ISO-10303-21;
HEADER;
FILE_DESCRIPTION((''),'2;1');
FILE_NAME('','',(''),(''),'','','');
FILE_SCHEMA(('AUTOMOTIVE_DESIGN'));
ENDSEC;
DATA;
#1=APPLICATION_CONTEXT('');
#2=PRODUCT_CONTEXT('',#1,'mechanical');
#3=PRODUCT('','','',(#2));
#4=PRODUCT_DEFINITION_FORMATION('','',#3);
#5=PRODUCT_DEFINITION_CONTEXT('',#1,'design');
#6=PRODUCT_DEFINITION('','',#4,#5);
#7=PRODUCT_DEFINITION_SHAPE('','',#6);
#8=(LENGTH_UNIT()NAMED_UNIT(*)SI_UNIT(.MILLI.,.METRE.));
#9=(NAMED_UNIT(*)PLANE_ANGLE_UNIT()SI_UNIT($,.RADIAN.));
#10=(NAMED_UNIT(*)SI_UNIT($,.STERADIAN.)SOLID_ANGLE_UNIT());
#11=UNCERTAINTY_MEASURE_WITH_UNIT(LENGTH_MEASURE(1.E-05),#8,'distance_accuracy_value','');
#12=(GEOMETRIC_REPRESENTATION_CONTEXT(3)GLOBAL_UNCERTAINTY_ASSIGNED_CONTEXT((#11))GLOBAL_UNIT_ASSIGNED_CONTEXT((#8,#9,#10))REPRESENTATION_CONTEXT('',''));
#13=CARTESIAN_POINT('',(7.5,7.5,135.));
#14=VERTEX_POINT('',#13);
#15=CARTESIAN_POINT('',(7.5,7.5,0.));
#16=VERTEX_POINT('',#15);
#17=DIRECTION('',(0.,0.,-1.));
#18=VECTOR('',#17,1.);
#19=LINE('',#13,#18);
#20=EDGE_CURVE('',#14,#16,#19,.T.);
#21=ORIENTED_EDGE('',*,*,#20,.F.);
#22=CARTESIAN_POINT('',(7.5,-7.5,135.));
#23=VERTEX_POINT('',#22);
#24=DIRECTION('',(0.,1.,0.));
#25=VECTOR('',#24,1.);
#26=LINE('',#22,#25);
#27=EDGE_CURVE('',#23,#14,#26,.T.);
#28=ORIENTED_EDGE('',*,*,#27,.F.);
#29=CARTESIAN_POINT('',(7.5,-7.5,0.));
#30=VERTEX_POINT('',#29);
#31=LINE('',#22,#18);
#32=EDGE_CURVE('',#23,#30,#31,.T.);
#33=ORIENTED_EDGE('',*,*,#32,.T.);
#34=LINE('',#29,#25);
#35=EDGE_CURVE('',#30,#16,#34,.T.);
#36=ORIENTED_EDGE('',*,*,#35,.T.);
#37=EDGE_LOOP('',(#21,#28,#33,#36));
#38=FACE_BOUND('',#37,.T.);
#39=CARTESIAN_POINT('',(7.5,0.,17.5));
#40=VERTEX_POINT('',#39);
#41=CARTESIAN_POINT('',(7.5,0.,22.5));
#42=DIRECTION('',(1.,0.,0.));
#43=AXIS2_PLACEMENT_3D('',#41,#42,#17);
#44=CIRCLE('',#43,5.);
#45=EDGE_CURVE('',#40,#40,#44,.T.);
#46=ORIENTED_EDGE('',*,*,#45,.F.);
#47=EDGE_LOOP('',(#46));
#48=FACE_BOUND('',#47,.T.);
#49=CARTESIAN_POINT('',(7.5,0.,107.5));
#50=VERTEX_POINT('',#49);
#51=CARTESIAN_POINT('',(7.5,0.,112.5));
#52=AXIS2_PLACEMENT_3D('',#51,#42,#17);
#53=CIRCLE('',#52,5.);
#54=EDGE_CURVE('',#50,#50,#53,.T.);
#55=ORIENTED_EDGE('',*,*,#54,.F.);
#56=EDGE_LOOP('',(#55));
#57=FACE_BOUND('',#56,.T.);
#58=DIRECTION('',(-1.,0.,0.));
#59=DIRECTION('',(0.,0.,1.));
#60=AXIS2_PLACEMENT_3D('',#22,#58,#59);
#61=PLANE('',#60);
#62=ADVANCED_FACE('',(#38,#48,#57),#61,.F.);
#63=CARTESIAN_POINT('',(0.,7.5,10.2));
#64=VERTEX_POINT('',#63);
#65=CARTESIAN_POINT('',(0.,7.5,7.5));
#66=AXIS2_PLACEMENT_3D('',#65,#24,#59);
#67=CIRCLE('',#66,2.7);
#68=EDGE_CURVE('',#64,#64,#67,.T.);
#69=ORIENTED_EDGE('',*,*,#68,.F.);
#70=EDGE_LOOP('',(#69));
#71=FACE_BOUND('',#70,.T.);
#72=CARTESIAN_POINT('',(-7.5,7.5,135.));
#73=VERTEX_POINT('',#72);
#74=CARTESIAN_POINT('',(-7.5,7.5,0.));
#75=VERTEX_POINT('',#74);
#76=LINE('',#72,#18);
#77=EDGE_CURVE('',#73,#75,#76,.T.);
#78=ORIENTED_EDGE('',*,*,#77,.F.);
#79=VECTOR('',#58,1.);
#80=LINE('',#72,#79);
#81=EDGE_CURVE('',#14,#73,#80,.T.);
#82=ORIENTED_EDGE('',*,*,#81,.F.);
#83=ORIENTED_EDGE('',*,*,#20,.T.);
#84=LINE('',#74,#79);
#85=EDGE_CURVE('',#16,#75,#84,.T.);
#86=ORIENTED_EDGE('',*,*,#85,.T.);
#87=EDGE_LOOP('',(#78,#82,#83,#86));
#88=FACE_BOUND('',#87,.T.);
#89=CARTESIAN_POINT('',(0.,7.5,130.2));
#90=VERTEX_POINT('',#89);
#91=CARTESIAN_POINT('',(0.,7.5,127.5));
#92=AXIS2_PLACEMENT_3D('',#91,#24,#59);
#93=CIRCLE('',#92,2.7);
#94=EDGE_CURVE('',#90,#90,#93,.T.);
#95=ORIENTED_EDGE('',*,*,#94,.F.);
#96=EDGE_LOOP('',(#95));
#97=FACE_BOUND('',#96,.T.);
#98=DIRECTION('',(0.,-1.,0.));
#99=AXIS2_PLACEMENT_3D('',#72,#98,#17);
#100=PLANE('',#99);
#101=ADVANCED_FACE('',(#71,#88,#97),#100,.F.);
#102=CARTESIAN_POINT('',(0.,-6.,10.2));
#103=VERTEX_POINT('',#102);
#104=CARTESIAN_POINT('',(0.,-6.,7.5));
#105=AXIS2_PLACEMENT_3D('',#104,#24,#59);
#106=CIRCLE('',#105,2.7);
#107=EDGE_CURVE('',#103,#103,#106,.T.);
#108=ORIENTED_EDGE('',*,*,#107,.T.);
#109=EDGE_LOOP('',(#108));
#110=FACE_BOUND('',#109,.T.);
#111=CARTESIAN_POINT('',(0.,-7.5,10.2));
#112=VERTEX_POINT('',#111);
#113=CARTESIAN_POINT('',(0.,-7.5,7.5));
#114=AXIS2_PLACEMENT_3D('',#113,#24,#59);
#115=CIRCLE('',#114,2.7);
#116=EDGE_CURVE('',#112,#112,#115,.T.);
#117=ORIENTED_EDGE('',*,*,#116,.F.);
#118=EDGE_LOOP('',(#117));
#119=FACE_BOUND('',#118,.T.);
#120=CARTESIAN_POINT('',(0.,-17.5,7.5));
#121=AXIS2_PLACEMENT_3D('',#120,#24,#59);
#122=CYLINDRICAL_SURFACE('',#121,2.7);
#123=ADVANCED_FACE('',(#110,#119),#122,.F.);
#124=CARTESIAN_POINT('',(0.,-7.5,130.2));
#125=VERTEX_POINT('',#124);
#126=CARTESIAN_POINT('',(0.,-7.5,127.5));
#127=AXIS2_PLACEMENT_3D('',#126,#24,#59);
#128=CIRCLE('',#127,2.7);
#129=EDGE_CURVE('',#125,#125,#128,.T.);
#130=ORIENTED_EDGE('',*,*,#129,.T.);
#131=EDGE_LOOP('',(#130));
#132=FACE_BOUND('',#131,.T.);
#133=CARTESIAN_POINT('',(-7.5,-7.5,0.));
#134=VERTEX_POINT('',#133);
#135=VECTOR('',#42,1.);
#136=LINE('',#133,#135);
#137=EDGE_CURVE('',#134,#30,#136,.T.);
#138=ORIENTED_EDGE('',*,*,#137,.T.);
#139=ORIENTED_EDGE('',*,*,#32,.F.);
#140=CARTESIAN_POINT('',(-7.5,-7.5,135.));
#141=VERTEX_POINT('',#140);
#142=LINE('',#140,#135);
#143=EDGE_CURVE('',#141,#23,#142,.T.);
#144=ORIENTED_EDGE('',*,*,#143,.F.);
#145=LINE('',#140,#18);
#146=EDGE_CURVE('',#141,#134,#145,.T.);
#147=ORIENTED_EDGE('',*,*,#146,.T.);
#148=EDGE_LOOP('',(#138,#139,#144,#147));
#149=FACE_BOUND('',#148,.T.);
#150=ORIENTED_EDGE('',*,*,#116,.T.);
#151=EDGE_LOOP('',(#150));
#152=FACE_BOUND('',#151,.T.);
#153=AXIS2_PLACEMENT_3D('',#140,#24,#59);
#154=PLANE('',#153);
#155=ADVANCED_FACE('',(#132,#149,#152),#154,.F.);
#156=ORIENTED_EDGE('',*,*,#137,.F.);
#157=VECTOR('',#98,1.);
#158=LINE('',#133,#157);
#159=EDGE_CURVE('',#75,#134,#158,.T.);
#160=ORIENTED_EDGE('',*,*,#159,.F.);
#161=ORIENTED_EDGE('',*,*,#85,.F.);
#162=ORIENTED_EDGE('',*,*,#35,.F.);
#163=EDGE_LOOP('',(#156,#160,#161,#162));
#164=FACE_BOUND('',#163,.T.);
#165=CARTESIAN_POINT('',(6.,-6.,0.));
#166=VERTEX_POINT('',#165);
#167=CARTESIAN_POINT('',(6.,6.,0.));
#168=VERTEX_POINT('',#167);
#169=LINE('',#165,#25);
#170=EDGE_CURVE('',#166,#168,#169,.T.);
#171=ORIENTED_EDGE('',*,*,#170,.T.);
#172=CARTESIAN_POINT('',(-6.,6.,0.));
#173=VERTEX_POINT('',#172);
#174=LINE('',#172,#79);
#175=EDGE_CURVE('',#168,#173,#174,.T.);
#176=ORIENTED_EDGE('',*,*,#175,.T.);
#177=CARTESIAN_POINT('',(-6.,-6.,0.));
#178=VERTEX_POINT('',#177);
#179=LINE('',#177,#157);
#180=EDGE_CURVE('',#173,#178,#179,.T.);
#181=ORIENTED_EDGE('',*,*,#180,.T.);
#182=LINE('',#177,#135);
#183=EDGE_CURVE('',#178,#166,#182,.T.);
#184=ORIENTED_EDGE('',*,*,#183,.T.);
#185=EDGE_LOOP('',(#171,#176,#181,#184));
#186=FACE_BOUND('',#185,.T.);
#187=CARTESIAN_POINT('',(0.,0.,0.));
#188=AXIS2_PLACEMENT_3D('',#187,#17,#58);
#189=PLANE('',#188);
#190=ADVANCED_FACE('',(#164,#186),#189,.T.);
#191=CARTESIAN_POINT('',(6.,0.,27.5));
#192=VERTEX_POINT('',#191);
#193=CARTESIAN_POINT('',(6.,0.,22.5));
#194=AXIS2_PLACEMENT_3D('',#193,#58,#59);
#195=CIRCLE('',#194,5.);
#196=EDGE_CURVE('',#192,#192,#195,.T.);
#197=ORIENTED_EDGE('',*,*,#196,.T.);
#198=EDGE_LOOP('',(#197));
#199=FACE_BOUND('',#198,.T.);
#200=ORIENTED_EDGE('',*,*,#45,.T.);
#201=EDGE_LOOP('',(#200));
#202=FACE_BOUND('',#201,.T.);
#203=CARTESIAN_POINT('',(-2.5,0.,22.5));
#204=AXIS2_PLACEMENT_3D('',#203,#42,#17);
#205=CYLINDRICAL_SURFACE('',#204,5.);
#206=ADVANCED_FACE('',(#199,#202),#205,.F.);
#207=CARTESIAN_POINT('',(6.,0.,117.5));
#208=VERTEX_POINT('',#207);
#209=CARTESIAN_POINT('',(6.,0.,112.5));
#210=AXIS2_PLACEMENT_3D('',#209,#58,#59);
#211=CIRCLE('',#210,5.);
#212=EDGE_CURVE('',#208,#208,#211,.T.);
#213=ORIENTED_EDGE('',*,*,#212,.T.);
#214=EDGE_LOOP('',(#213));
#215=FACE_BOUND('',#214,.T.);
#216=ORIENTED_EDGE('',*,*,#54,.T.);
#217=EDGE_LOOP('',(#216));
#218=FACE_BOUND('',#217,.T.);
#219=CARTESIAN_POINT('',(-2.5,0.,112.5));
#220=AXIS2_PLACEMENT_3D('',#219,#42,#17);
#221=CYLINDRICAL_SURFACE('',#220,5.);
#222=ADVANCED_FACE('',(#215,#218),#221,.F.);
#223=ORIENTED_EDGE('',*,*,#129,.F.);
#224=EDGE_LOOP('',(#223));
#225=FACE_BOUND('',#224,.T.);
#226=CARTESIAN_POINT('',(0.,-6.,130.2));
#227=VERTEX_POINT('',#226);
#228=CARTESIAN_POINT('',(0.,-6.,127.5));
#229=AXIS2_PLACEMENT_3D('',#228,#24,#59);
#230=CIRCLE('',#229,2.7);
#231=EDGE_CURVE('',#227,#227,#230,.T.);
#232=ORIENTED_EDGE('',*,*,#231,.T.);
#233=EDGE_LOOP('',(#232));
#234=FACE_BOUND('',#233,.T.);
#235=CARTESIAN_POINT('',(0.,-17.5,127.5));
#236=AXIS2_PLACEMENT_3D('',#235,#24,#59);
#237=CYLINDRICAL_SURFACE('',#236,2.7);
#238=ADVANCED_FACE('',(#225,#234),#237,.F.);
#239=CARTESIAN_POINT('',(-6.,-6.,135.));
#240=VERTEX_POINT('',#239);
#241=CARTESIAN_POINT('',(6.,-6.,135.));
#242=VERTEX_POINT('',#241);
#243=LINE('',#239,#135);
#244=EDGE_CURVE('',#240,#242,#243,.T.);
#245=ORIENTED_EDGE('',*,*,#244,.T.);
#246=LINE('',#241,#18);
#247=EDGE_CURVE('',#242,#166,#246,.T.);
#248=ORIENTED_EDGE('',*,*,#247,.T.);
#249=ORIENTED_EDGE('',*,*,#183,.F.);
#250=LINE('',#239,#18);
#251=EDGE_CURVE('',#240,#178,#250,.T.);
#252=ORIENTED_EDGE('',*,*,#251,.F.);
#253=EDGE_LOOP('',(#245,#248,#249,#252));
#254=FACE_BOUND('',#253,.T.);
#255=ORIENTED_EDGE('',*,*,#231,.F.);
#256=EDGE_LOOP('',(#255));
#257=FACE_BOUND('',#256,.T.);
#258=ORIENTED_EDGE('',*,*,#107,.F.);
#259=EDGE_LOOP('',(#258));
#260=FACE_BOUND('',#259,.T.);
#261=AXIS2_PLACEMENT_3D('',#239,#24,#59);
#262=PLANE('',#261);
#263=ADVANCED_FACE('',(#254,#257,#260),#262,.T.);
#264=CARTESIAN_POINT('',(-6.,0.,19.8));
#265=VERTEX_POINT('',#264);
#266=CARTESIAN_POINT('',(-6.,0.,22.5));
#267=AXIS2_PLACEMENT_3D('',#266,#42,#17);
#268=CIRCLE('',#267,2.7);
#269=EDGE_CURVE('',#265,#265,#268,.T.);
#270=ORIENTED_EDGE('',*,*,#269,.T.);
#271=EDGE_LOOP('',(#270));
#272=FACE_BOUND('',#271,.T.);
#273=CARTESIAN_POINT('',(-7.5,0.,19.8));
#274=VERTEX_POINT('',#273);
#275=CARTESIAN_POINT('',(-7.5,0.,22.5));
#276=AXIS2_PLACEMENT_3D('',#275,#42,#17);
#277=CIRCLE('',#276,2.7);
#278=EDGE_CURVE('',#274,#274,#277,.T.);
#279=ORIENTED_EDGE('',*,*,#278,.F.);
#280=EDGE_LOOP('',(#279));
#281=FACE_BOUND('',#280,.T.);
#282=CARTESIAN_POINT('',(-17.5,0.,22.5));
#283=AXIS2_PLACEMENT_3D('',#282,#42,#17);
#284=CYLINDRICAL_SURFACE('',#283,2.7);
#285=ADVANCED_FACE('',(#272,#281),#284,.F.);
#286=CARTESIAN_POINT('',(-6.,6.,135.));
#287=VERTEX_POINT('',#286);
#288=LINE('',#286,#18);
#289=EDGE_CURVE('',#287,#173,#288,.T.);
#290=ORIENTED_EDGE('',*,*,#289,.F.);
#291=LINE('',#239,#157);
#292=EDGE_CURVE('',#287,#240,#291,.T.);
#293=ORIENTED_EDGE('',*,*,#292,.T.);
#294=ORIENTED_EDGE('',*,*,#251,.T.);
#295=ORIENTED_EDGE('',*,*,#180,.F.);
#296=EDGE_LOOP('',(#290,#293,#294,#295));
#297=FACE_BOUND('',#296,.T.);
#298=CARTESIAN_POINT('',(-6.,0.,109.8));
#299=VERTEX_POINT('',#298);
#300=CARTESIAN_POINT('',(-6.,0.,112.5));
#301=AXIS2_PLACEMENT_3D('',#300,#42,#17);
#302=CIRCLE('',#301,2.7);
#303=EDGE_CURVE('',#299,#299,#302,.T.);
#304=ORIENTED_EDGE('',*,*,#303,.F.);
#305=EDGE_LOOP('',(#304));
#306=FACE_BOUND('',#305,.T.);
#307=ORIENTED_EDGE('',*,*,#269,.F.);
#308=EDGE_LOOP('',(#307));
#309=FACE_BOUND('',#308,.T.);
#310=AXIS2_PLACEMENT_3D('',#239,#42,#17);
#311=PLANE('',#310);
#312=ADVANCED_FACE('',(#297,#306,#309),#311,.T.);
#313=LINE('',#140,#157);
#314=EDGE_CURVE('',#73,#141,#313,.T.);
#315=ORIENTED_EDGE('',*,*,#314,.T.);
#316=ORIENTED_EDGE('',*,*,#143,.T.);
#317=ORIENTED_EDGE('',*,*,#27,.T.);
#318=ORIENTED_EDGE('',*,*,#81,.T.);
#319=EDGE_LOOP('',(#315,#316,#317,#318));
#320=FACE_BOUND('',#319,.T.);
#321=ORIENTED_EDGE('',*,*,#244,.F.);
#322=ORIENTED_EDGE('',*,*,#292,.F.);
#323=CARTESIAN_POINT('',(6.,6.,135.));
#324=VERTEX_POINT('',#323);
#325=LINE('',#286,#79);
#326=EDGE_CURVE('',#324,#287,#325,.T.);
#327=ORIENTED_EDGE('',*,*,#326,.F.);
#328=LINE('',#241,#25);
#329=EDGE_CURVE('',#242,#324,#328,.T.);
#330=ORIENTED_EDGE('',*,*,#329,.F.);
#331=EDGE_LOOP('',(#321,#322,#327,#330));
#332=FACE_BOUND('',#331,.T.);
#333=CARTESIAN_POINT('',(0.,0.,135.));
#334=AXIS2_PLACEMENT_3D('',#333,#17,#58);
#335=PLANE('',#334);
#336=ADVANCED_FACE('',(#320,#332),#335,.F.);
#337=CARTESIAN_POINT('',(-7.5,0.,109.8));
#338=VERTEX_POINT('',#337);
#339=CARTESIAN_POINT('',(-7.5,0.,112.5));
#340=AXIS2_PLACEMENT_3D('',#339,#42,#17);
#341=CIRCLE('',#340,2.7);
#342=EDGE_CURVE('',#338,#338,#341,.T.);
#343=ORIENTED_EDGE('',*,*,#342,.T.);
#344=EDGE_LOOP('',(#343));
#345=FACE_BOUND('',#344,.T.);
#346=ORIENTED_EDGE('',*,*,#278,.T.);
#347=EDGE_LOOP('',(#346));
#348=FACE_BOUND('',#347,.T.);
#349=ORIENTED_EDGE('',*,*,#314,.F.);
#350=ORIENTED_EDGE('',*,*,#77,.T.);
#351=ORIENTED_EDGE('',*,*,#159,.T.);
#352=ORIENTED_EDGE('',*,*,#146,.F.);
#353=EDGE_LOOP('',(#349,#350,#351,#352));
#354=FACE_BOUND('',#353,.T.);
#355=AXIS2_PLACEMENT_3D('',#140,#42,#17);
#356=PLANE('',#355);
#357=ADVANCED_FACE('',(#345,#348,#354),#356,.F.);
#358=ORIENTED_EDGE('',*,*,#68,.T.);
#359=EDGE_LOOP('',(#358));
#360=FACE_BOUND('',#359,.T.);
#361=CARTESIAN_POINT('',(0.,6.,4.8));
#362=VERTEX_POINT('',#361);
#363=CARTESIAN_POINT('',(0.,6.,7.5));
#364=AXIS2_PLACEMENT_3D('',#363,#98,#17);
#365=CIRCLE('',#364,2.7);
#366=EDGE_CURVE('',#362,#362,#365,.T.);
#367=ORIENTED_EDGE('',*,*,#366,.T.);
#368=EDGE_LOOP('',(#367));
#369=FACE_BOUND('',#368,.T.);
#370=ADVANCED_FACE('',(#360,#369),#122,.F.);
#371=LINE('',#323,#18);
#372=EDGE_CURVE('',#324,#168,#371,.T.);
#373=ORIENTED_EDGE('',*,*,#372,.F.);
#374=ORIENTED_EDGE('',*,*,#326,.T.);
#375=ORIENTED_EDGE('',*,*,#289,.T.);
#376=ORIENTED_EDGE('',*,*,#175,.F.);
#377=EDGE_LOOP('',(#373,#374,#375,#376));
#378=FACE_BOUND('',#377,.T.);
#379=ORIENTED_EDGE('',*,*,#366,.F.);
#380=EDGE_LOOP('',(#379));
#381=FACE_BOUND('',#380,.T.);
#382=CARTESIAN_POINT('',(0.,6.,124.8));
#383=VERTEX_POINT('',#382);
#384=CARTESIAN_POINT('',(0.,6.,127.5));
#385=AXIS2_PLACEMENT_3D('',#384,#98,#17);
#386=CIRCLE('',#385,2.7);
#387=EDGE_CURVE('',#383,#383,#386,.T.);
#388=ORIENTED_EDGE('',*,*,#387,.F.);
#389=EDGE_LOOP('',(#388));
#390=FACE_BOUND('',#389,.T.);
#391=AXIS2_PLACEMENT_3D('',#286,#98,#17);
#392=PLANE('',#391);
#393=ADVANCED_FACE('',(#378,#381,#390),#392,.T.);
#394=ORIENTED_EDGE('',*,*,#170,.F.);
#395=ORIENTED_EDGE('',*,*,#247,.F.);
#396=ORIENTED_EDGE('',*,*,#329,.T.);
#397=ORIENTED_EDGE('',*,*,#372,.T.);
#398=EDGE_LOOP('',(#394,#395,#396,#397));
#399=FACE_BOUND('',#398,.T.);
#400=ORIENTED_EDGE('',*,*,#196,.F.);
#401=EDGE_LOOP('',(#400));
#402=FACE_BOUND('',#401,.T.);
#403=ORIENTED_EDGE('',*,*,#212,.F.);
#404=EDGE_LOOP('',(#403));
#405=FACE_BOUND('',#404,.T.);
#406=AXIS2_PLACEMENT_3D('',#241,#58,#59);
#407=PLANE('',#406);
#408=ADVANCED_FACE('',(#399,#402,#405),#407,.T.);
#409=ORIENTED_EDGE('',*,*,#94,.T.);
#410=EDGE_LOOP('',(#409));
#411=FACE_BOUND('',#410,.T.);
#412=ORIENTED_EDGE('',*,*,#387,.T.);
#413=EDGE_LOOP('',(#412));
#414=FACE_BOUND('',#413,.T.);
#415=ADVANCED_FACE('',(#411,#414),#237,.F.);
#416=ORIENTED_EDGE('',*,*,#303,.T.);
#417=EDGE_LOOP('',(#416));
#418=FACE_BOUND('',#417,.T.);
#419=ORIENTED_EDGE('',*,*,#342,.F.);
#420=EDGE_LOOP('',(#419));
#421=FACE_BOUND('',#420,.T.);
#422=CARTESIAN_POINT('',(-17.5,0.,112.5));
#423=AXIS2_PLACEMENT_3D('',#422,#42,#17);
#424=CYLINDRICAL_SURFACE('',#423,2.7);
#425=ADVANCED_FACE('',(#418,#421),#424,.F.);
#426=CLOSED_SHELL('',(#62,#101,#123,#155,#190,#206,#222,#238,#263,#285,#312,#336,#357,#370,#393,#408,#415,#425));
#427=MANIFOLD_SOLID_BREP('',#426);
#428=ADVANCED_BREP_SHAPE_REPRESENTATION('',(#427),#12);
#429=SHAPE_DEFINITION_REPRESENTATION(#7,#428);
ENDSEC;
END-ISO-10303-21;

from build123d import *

# Parameters (mm, degrees)
SKETCH_1_W          = 15
SKETCH_1_H          = 15
SKETCH_1_W_2        = 12
SKETCH_1_H_2        = 12
EXTRUDE_1_DEPTH     = 135
SKETCH_2_R          = 2.7
CUT_EXTRUDE_1_DEPTH = 25
SKETCH_3_R          = 2.7
CUT_EXTRUDE_2_DEPTH = 25
SKETCH_5_R          = 5
CUT_EXTRUDE_4_DEPTH = 10


with BuildPart() as part:
    # ｽｹｯﾁ1 → ﾎﾞｽ - 押し出し1 (new body)
    with BuildSketch(Plane.XY):
        Rectangle(SKETCH_1_W, SKETCH_1_H)
        Rectangle(SKETCH_1_W_2, SKETCH_1_H_2, mode=Mode.SUBTRACT)
    extrude(amount=EXTRUDE_1_DEPTH)

    # ｽｹｯﾁ2 → ｶｯﾄ - 押し出し1 (cut)
    with BuildSketch(Plane(origin=(7.5, 0, 0), x_dir=(0, 0, -1), z_dir=(1, 0, 0))):
        with Locations((-112.5, 0)):
            Circle(SKETCH_2_R)
        with Locations((-22.5, 0)):
            Circle(SKETCH_2_R)
    extrude(amount=-CUT_EXTRUDE_1_DEPTH, mode=Mode.SUBTRACT)

    # ｽｹｯﾁ3 → ｶｯﾄ - 押し出し2 (cut)
    with BuildSketch(Plane(origin=(0, 7.5, 0), x_dir=(1, 0, 0), z_dir=(0, 1, 0))):
        with Locations((0, -7.5)):
            Circle(SKETCH_3_R)
        with Locations((0, -127.5)):
            Circle(SKETCH_3_R)
    extrude(amount=-CUT_EXTRUDE_2_DEPTH, mode=Mode.SUBTRACT)

    # ｽｹｯﾁ5 → ｶｯﾄ - 押し出し4 (cut)
    with BuildSketch(Plane(origin=(7.5, 0, 0), x_dir=(0, 0, -1), z_dir=(1, 0, 0))):
        with Locations((-22.5, 0)):
            Circle(SKETCH_5_R)
        with Locations((-112.5, 0)):
            Circle(SKETCH_5_R)
    extrude(amount=-CUT_EXTRUDE_4_DEPTH, mode=Mode.SUBTRACT)


solid = part.part
